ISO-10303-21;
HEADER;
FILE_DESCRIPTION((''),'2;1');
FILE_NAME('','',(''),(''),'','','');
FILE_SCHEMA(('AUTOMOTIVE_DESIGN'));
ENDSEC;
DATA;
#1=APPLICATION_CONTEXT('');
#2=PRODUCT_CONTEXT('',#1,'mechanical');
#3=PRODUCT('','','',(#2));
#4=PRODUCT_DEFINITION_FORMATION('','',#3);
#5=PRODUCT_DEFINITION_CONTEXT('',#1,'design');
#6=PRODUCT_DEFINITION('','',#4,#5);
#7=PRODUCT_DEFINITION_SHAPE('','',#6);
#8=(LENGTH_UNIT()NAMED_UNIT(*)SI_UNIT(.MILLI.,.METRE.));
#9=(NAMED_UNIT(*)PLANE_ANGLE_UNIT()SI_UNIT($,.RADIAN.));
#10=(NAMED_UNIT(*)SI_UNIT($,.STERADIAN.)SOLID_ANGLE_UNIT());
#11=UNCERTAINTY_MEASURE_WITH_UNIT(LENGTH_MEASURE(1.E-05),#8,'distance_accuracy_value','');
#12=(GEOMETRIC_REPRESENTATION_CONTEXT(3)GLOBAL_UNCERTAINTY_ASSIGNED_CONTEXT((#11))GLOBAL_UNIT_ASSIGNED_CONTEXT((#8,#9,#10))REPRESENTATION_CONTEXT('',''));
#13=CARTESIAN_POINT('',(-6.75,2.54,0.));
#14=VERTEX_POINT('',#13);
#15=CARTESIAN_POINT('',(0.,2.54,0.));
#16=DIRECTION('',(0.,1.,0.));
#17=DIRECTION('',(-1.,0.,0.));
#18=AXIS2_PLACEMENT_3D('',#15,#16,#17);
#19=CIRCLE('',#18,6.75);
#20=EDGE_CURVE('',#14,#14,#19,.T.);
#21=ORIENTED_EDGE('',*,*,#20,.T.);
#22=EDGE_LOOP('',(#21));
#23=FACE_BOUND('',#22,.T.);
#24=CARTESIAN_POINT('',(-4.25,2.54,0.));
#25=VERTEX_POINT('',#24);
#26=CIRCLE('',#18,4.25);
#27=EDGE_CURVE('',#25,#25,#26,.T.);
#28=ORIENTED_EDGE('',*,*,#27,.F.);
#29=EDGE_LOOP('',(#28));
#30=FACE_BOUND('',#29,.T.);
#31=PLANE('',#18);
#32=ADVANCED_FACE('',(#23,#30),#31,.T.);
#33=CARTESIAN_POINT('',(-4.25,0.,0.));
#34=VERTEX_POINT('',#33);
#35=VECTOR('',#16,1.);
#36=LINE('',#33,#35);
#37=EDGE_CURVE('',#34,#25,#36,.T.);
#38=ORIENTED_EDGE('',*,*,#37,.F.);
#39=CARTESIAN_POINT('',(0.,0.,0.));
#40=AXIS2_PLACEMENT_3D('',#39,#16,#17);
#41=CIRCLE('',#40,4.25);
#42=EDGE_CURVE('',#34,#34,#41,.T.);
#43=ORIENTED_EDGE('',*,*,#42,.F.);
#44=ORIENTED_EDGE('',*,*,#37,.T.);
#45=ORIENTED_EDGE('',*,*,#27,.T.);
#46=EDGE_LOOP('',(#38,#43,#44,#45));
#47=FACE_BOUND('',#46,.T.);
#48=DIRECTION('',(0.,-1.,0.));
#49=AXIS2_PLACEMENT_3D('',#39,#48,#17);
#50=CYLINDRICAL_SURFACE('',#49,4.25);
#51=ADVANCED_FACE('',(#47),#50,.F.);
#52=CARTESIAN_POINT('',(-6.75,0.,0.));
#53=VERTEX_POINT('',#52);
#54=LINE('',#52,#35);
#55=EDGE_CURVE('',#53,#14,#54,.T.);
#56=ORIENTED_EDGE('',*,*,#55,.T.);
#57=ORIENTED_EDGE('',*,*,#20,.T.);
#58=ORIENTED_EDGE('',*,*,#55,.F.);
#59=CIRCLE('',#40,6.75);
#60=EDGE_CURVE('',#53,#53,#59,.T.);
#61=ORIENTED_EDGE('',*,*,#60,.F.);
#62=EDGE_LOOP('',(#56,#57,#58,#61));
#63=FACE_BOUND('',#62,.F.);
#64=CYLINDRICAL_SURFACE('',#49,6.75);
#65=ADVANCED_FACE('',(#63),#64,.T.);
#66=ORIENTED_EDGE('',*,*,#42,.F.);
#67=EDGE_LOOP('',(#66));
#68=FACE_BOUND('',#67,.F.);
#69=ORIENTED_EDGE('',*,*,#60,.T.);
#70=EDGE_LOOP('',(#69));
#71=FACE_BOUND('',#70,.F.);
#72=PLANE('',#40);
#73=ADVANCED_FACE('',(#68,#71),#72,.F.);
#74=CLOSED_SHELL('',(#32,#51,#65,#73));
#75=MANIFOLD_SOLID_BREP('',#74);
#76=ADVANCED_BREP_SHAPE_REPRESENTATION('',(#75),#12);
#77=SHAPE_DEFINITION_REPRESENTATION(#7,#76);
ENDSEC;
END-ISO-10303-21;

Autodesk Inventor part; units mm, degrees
ref_plane "YZ Plane" through (0, 0, 0) normal (1, 0, 0) x (0, 1, 0)
ref_plane "XZ Plane" through (0, 0, 0) normal (0, 1, 0) x (-1, 0, 0)
ref_plane "XY Plane" through (0, 0, 0) normal (0, 0, 1) x (1, 0, 0)
sketch "Sketch1" plane through (0, 0, 0) normal (0, 1, 0) x (-1, 0, 0)
  circle A0 centre (0, 0) radius 4.25
  circle A1 centre (0, 0) radius 6.75
  line L0 (0, 0) -> (-4.25, 0) construction
  point P0 (4.1833, 0.75)
  dimension "d1" = 2.5
extrude "Extrusion1" add sketch "Sketch1" along normal blind 2.54
properties part number "8mKeyyedShaftSpacer_BevelToSpurShaft"
